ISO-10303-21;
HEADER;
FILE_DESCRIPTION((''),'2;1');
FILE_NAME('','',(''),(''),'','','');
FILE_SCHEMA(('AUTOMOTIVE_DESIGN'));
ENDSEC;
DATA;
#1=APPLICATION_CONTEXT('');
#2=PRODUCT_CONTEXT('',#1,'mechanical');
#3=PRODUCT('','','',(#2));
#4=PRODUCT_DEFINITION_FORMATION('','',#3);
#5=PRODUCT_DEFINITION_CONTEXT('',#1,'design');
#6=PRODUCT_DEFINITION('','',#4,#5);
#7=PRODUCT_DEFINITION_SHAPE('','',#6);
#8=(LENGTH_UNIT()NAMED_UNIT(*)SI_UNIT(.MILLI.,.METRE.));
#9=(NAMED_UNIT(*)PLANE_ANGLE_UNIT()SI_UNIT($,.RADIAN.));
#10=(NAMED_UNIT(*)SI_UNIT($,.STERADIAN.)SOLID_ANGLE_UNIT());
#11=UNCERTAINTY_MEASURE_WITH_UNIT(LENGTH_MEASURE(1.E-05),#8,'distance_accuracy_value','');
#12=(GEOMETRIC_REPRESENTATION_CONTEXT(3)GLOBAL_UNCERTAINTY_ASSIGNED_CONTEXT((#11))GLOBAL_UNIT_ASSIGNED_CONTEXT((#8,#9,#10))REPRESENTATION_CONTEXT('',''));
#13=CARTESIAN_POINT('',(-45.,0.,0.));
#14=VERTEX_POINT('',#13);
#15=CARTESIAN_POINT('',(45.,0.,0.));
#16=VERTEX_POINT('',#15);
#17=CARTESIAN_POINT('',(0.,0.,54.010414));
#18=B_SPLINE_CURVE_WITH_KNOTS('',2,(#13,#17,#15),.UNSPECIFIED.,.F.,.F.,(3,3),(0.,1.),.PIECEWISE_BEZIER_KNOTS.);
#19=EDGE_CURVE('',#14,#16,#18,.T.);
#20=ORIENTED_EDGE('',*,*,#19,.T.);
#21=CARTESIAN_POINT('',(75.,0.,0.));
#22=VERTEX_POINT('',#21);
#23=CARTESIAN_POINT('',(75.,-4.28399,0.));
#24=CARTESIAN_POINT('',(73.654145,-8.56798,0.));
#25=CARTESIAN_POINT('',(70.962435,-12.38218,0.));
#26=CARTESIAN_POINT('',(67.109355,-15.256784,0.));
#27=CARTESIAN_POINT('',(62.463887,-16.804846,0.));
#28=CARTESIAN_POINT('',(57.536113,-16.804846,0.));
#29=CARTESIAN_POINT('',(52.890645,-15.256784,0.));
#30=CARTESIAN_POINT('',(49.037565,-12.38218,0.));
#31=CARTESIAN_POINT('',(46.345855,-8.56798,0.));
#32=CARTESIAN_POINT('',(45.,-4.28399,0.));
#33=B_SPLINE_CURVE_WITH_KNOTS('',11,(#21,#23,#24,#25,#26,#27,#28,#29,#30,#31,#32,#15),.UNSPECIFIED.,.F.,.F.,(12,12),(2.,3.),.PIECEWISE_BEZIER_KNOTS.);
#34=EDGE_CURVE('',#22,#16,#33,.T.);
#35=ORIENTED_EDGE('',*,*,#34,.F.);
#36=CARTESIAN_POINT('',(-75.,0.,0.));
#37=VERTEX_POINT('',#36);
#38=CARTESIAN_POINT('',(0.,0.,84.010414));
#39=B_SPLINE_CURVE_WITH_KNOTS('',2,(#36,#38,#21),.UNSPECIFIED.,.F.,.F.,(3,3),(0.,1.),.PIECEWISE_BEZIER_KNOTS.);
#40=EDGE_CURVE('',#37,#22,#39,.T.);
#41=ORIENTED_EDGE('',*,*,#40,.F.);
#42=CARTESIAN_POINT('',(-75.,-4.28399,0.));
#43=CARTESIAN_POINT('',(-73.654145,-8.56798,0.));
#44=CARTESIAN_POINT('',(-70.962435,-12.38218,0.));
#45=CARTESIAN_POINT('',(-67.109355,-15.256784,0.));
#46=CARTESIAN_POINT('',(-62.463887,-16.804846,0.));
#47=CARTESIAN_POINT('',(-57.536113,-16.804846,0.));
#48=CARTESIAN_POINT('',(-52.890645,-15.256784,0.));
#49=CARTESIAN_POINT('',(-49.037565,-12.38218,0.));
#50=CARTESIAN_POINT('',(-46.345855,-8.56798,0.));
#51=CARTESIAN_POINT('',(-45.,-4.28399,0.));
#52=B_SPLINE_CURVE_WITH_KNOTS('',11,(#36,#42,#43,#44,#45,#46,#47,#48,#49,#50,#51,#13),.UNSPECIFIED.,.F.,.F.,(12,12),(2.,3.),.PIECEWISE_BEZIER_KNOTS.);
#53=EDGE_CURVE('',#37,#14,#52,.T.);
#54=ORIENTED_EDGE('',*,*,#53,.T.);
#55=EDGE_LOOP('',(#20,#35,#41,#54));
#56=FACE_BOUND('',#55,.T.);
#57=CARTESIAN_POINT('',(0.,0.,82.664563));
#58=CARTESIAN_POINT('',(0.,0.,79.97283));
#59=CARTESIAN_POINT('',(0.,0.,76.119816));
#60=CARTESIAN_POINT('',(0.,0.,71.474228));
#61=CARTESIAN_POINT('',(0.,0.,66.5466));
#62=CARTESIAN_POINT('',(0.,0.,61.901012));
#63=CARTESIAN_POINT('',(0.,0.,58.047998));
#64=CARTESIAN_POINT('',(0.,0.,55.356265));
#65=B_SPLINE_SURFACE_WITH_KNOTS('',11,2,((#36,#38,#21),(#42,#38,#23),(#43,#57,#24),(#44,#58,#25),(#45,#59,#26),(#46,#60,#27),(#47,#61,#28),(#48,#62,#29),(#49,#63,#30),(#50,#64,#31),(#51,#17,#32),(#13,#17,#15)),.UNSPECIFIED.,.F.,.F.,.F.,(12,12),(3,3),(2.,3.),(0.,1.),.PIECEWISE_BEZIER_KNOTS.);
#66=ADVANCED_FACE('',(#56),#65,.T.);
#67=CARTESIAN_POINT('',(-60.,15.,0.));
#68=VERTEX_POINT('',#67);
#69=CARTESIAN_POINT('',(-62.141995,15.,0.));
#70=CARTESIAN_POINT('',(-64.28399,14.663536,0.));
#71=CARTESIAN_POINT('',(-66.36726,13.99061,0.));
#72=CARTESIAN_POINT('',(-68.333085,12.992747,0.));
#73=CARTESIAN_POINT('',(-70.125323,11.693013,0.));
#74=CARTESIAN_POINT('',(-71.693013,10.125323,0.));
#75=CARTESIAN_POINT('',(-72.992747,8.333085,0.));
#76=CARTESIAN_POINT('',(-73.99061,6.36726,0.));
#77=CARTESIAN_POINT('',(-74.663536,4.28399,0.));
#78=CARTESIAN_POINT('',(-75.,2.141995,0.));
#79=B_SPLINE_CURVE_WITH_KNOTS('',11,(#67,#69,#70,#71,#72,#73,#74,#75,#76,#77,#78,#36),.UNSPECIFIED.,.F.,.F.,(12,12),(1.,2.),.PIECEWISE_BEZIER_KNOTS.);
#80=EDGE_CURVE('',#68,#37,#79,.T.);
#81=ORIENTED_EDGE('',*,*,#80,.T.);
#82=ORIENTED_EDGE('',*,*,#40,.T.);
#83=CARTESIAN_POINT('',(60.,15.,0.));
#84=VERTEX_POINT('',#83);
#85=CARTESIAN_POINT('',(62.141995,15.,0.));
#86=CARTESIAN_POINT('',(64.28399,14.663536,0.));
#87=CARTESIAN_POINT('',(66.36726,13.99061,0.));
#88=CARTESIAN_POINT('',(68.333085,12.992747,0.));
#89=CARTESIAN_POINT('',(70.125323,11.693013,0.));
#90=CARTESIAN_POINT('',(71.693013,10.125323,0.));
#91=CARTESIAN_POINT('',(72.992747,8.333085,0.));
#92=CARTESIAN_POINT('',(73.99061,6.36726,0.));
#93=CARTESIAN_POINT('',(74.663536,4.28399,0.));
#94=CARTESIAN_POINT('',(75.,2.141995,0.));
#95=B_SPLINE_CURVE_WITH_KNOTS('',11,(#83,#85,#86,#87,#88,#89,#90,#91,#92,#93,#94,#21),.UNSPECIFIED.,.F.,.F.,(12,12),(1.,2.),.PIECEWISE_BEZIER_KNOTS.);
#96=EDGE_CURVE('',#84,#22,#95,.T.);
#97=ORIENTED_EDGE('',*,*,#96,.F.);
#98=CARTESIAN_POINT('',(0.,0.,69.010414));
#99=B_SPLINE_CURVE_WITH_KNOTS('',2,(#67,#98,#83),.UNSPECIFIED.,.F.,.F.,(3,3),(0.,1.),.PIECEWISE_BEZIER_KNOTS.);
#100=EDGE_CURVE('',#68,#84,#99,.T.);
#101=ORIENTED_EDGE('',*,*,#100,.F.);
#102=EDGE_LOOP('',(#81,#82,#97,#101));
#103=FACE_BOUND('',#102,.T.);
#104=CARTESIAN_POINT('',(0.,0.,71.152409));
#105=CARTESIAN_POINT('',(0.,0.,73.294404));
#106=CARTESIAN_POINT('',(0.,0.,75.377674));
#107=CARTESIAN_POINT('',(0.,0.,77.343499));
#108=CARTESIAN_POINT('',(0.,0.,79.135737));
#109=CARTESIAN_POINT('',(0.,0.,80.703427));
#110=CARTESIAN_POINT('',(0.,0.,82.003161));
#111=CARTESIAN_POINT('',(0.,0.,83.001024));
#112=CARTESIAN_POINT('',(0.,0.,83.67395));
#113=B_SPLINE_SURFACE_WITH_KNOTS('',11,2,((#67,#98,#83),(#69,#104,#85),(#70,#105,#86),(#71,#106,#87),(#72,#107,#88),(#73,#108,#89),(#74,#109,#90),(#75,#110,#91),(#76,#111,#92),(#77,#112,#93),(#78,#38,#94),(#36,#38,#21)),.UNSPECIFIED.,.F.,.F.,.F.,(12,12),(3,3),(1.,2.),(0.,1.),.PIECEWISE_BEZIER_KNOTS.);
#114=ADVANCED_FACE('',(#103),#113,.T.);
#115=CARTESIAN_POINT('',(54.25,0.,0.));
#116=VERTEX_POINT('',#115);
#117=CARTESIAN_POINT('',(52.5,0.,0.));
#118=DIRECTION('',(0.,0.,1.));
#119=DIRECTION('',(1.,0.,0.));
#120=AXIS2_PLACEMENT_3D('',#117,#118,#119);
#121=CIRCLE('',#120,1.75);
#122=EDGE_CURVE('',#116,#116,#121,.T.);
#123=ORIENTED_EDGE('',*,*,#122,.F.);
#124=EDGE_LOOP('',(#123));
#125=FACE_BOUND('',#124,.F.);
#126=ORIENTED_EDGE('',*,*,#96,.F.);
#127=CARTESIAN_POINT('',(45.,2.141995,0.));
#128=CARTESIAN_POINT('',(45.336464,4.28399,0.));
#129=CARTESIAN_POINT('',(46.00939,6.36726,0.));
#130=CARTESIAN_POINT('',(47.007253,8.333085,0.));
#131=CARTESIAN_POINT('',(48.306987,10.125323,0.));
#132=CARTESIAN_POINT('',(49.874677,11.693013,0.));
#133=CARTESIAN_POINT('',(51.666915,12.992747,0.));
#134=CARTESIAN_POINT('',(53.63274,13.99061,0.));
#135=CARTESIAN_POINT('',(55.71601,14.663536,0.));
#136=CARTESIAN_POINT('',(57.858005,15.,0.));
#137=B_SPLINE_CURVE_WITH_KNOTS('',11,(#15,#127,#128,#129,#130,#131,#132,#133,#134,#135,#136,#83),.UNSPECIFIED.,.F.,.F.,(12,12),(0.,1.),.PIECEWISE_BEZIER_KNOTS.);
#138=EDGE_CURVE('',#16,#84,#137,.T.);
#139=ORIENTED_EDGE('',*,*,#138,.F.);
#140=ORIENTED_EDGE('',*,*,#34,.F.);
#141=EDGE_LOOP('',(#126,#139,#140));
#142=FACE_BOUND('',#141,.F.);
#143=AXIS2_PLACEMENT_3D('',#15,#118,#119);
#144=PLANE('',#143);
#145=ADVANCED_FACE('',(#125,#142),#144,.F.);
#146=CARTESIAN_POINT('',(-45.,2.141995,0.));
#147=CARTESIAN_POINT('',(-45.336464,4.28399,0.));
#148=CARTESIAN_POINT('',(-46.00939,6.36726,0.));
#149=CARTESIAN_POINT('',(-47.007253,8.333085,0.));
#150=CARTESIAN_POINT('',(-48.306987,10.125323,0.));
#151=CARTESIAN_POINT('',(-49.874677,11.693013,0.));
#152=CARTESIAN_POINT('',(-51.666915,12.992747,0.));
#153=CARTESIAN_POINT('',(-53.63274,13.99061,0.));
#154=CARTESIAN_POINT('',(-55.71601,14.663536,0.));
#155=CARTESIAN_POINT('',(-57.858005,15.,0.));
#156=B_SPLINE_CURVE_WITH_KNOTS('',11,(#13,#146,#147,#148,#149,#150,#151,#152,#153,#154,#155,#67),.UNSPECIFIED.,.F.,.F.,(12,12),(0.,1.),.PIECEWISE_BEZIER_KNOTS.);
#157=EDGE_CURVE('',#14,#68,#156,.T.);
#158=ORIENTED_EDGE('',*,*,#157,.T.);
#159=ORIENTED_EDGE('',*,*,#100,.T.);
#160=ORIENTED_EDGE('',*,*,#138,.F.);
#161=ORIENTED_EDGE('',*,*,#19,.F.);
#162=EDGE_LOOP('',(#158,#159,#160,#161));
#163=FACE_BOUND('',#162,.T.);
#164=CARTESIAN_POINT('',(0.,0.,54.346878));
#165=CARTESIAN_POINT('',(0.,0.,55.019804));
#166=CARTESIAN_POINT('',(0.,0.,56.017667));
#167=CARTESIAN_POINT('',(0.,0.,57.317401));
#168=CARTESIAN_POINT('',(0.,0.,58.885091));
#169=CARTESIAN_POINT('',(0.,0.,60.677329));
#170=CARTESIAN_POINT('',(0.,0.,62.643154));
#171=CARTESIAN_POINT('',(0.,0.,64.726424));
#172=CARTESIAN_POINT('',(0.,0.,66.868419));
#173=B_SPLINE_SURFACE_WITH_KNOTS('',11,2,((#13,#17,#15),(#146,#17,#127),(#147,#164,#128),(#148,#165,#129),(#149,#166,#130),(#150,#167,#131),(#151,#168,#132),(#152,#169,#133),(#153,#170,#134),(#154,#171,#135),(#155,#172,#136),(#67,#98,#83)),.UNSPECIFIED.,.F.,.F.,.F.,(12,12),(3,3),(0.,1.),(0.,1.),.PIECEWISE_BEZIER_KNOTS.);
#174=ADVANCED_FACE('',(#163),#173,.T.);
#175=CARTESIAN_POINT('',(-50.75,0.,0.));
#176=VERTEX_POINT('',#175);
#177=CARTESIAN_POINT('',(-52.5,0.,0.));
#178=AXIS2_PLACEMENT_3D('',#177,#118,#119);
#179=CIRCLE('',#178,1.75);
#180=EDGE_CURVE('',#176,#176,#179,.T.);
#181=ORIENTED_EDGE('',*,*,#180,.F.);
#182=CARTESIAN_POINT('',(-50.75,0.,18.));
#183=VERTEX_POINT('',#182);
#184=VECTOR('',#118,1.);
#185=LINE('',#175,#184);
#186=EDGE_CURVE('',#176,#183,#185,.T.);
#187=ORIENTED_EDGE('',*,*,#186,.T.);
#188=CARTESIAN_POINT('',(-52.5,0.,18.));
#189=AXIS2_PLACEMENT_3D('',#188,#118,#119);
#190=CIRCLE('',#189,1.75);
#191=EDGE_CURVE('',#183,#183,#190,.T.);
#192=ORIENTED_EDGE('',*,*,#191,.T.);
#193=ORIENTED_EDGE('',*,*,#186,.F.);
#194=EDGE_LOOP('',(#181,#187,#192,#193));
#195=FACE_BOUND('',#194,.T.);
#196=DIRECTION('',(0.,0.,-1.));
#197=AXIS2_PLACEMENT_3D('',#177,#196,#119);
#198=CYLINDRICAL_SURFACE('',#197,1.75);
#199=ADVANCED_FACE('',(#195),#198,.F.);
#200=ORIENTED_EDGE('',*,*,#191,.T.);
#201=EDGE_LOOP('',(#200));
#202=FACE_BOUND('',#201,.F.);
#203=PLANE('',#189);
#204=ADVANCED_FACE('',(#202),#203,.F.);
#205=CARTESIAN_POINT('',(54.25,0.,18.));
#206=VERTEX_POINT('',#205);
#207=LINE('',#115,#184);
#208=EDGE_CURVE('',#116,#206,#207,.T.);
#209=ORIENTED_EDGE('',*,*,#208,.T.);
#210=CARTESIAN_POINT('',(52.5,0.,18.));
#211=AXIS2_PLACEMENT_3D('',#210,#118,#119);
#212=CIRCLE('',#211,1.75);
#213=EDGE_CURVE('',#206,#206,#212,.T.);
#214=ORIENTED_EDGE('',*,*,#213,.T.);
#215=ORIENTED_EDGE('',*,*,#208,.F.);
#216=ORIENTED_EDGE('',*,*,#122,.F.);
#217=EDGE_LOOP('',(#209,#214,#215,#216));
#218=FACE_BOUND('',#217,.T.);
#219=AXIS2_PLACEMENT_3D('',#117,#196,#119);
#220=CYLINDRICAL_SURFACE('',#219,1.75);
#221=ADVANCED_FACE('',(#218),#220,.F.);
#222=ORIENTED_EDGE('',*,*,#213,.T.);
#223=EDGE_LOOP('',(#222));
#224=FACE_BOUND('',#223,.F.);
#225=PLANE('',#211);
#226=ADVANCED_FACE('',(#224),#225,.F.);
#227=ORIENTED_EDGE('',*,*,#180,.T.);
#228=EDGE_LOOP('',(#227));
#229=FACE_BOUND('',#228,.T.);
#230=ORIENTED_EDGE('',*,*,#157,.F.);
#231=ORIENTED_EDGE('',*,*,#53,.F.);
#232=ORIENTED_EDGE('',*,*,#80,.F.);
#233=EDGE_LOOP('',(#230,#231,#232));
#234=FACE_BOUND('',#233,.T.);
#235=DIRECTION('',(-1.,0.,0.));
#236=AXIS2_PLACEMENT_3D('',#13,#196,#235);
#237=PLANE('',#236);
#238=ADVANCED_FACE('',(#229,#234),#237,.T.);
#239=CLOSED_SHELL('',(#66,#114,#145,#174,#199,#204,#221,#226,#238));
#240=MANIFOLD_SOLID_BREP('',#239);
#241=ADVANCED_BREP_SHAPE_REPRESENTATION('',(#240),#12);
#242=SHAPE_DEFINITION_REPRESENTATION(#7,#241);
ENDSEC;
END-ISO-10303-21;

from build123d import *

# Parameters (mm, degrees)
SKETCH_R     = 15
SKETCH002_R  = 7.5
SKETCH001_R  = 15
SKETCH004_R  = 1.75
POCKET_DEPTH = 18


with BuildPart() as part:
    # Sketch → Loft section 0
    with BuildSketch(Plane.XY):
        with Locations((-60, 0)):
            Circle(SKETCH_R)
    # Sketch002 → Loft section 1
    with BuildSketch(Plane.YZ):
        with Locations((0, 34.505207)):
            Circle(SKETCH002_R)
    # Sketch001 → Loft section 2
    with BuildSketch(Plane.XY):
        with Locations((60, 0)):
            Circle(SKETCH001_R)
    loft()

    # Sketch004 → Pocket (cut)
    with BuildSketch(Plane.XY):
        with Locations((-52.5, 0)):
            Circle(SKETCH004_R)
        with Locations((52.5, 0)):
            Circle(SKETCH004_R)
    extrude(amount=POCKET_DEPTH, mode=Mode.SUBTRACT)


solid = part.part
